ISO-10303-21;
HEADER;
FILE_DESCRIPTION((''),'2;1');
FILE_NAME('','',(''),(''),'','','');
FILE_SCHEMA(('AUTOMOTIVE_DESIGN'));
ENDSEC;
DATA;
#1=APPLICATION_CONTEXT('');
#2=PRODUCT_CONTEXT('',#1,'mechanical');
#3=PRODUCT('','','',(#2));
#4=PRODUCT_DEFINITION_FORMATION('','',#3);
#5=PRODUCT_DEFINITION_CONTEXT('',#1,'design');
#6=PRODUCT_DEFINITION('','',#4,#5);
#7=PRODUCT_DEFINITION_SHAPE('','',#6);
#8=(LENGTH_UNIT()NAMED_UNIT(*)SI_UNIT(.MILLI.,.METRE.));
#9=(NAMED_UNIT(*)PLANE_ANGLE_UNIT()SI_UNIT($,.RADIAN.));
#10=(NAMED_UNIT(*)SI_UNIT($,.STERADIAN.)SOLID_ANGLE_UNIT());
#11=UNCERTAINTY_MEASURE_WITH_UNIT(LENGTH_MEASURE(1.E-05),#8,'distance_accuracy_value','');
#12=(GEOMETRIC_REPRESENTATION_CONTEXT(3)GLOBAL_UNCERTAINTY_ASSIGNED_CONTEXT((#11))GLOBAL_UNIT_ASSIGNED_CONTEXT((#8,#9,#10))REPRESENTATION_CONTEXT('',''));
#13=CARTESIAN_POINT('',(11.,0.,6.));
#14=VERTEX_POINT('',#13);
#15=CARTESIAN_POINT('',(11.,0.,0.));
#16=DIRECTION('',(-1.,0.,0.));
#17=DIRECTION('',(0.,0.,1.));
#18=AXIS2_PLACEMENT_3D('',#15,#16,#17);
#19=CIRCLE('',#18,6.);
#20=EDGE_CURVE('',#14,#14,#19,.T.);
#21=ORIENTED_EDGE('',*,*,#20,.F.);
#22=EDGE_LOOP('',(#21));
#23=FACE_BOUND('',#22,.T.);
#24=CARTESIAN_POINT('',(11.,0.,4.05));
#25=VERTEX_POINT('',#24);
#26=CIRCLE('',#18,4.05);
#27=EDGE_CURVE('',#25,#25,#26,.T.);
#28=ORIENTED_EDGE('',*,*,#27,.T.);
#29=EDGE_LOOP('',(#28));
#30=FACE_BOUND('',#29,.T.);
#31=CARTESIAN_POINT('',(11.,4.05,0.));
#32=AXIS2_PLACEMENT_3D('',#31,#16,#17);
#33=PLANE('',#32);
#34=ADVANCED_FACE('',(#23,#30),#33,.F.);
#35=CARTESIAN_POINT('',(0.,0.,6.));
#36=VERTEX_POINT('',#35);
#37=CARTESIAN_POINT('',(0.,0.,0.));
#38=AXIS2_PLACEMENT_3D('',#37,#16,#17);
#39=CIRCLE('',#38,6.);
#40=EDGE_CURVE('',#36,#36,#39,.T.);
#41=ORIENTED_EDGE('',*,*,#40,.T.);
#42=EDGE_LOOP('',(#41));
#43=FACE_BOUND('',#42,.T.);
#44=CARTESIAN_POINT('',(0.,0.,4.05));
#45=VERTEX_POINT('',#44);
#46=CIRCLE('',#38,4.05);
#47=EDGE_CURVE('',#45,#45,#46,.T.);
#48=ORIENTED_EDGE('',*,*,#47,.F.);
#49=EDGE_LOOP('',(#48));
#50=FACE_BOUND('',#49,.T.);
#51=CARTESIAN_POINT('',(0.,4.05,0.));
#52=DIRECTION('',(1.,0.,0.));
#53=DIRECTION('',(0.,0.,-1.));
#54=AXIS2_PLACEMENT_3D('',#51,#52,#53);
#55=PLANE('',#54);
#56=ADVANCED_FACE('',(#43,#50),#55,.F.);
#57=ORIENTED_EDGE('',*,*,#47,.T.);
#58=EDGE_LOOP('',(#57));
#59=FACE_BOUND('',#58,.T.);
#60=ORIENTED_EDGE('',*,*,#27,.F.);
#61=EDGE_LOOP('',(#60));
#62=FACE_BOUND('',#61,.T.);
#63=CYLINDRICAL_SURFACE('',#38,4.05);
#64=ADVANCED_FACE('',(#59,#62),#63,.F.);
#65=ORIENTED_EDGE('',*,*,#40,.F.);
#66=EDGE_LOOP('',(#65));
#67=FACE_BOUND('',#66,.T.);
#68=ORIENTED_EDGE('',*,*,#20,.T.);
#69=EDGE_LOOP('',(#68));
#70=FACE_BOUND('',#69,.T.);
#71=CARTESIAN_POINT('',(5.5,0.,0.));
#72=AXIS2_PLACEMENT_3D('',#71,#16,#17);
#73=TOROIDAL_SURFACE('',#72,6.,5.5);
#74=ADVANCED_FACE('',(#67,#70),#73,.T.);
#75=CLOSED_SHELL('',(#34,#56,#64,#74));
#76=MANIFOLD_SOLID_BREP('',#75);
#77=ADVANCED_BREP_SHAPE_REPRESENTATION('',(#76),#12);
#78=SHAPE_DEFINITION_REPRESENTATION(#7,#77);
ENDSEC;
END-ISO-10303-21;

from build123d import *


with BuildPart() as part:
    # Sketch1 → Revolve1 (revolve)
    with BuildSketch(Plane.XY, mode=Mode.PRIVATE) as revolve1_sk:
        with BuildLine():
            Line((0, 4.05), (11, 4.05))
            Line((11, 4.05), (11, 6))
            ThreePointArc((11, 6), (5.5, 11.5), (0, 6))
            Line((0, 6), (0, 4.05))
        make_face()
    revolve(revolve1_sk.sketch.rotate(Axis((0, 0, 0), (1, 0, 0)), 90), axis=Axis((0, 0, 0), (1, 0, 0)))


solid = part.part
